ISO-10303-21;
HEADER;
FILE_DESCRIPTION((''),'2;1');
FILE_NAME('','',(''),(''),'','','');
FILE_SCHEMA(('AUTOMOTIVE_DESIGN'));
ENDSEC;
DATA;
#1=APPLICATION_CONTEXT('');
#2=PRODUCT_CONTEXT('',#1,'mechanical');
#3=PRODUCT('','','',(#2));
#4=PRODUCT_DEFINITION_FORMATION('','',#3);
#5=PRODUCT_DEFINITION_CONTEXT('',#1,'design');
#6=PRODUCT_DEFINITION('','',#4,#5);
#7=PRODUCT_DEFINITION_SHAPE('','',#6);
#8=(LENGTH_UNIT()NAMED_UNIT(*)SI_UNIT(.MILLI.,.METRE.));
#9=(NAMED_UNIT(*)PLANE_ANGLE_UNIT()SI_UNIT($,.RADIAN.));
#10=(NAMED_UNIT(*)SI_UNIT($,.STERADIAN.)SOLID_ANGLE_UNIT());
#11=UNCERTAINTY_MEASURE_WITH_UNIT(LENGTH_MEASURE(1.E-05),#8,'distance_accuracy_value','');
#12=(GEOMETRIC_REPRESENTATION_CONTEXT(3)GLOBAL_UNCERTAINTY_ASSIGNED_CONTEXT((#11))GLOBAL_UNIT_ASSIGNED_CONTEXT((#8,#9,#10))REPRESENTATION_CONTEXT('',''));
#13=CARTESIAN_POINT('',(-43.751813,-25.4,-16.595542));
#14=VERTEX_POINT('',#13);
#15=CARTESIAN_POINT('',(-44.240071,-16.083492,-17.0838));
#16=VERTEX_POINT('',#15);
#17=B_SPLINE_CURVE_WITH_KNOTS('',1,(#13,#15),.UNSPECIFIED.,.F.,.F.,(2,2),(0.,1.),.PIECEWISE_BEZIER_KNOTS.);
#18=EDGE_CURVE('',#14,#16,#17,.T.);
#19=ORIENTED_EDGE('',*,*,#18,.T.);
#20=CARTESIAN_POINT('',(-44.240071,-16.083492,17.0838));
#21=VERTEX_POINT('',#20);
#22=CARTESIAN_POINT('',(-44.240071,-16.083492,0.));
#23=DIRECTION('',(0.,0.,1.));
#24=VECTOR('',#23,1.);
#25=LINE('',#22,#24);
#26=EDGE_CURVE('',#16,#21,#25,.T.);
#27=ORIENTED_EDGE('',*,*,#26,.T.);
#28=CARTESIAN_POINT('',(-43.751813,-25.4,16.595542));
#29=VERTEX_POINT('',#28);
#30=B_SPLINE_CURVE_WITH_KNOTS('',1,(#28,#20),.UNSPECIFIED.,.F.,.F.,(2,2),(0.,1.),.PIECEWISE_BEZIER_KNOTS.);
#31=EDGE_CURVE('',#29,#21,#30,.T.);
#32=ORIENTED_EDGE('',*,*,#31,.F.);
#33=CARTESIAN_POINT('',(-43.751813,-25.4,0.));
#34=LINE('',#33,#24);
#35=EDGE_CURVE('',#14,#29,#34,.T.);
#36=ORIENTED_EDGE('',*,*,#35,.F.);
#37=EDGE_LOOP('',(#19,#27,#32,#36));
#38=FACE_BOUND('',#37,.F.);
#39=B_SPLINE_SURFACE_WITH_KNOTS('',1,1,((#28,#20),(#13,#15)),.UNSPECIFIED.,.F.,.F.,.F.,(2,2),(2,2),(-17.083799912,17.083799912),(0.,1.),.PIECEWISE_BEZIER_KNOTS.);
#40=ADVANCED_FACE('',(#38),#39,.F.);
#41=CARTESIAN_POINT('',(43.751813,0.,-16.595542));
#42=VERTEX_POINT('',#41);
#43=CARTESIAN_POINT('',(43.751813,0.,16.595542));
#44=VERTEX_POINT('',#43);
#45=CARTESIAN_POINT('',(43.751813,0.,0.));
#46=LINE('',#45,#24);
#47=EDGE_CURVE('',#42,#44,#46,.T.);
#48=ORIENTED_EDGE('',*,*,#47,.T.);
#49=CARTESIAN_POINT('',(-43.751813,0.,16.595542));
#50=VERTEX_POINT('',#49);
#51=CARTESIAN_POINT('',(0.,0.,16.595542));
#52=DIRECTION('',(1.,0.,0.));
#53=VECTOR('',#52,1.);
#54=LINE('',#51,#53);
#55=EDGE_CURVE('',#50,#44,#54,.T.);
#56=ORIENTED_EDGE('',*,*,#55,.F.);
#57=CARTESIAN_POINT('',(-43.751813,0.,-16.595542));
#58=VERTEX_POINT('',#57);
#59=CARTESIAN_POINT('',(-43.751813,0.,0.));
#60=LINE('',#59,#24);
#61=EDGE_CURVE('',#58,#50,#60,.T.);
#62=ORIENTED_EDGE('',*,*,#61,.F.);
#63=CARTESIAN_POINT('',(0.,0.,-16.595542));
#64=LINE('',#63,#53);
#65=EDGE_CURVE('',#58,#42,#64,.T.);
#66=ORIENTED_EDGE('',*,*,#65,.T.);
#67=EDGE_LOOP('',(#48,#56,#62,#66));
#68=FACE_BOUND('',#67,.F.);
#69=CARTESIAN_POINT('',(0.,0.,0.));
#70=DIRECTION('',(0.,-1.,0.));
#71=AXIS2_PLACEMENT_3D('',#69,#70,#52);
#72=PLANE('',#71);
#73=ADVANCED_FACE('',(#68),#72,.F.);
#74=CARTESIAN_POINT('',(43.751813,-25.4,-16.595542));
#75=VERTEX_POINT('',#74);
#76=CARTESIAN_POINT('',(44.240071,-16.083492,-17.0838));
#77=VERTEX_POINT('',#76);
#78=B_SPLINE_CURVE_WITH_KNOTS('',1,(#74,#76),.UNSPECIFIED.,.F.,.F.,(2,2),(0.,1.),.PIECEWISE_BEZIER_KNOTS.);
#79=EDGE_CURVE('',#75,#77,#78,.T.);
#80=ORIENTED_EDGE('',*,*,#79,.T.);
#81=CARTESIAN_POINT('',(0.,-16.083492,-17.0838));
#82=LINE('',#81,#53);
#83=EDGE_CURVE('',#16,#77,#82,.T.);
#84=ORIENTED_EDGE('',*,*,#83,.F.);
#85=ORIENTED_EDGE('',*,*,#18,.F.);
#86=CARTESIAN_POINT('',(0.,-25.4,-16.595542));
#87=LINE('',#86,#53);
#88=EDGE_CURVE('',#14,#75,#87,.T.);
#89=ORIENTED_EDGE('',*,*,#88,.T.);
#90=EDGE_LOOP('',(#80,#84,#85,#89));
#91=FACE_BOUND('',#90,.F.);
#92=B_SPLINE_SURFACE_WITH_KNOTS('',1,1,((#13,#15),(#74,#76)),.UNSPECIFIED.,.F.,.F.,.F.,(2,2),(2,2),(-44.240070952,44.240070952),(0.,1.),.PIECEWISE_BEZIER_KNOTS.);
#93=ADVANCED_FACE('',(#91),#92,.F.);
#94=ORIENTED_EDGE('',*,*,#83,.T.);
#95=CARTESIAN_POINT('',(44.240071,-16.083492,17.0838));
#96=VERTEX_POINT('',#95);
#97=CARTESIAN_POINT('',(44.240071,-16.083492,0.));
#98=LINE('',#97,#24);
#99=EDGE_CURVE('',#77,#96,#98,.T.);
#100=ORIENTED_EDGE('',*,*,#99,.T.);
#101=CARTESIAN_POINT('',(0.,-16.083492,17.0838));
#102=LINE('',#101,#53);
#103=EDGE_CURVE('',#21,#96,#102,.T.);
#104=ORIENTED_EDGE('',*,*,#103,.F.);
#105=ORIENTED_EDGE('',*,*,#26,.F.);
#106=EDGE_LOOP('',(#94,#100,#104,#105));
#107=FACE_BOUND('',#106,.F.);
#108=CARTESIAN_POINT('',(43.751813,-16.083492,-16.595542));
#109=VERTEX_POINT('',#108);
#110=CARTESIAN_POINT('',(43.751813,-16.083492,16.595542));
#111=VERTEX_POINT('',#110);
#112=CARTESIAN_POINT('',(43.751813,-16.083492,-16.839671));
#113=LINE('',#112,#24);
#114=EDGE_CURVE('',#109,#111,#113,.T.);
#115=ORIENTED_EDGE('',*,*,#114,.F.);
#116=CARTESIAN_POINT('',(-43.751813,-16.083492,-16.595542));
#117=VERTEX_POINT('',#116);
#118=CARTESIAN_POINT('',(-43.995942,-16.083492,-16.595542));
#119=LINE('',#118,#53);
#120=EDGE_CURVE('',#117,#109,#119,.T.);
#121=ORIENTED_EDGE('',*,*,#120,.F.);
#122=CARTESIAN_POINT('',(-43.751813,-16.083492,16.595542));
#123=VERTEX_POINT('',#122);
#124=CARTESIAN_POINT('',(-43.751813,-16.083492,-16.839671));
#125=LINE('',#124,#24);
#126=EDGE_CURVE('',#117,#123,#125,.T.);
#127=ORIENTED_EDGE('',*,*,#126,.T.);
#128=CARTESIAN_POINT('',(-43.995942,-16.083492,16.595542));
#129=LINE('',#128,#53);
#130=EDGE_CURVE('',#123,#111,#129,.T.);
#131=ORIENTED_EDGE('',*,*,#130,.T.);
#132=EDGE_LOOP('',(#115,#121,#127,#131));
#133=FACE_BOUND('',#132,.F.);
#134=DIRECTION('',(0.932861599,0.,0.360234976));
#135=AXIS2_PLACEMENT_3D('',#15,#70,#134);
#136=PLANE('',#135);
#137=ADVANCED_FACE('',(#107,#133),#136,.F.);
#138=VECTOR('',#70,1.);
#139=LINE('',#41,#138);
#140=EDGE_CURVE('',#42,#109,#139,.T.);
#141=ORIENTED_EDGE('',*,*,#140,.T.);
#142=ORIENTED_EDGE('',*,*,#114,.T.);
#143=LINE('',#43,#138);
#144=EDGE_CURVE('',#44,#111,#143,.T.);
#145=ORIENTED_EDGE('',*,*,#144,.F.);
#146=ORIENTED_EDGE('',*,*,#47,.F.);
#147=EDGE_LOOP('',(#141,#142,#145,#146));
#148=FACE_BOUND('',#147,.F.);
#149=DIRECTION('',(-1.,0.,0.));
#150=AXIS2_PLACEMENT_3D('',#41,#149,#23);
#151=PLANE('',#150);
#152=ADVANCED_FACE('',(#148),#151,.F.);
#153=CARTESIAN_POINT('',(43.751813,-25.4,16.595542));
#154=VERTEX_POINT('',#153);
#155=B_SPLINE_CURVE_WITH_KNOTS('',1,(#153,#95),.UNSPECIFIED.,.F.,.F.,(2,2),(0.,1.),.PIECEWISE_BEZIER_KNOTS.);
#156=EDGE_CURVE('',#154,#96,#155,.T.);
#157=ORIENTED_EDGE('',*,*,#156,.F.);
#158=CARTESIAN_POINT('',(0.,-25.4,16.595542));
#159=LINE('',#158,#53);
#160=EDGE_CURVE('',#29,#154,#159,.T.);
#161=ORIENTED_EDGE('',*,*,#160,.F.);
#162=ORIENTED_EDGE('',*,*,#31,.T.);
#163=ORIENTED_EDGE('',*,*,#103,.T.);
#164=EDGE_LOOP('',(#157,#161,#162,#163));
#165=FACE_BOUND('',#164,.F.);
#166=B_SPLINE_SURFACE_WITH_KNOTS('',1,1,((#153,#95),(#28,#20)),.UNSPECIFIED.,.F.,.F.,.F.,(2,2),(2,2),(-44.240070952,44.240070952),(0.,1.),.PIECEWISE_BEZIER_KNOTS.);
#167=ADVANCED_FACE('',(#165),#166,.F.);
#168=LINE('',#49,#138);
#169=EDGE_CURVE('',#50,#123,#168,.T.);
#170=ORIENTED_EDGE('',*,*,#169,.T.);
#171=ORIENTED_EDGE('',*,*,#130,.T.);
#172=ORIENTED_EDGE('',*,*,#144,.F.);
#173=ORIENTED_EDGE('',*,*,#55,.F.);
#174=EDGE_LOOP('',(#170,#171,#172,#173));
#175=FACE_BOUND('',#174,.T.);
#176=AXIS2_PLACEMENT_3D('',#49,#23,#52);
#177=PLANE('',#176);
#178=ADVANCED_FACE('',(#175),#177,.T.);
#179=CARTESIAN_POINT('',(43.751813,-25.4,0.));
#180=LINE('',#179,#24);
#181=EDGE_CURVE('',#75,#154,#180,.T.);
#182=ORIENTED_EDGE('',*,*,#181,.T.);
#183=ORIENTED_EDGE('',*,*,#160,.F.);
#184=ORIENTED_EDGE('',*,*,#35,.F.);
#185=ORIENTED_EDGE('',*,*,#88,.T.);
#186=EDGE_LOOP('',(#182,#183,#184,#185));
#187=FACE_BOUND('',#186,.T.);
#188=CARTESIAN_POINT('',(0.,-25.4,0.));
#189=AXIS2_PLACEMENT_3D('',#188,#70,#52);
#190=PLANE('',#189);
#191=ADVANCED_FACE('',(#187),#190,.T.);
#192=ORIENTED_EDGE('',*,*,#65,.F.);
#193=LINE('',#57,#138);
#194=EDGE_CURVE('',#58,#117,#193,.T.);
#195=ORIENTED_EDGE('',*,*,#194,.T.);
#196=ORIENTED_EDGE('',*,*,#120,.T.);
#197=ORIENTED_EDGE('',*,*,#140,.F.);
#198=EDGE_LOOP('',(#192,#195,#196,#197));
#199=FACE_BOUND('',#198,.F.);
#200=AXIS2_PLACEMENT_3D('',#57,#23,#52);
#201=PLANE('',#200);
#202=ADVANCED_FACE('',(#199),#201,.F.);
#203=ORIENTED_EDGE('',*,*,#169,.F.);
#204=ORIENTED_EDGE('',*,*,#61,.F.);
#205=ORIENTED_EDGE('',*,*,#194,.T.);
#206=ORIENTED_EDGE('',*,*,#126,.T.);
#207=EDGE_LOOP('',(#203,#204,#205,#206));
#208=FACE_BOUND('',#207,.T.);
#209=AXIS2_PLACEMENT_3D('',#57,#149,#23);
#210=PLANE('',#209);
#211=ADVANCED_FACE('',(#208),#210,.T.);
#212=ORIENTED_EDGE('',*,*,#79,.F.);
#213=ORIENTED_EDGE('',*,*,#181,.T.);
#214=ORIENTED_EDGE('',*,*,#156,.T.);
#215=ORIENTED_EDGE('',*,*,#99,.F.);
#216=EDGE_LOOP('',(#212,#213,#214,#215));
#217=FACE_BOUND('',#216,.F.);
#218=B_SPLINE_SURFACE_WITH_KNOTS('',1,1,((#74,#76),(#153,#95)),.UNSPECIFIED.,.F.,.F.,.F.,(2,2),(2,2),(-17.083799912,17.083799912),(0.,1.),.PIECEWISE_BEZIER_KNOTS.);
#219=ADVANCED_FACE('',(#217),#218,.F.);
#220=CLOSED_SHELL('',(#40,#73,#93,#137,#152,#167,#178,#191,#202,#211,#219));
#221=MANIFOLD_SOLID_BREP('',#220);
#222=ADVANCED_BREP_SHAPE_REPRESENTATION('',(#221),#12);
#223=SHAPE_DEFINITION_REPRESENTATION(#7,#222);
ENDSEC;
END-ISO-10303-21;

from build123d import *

# Parameters (mm, degrees)
F0_W      = 87.5036269426
F0_H      = 33.1910848618
F1_DEPTH  = 25.4
F1_FACE_W = 87.5036269426
F1_FACE_H = 33.1910848618
F2_DEPTH  = 9.3165077269
F2_TAPER  = -3


with BuildPart() as f1:
    # F0 (on Front) → F1 (new body)
    with BuildSketch(Plane.XZ):
        Rectangle(F0_W, F0_H)
    extrude(amount=F1_DEPTH)

    # F1_face (on face) → F2 (join)
    with BuildSketch(Plane.XZ.offset(25.4)):
        Rectangle(F1_FACE_W, F1_FACE_H)
    extrude(amount=-F2_DEPTH, taper=F2_TAPER)


solid = f1.part
